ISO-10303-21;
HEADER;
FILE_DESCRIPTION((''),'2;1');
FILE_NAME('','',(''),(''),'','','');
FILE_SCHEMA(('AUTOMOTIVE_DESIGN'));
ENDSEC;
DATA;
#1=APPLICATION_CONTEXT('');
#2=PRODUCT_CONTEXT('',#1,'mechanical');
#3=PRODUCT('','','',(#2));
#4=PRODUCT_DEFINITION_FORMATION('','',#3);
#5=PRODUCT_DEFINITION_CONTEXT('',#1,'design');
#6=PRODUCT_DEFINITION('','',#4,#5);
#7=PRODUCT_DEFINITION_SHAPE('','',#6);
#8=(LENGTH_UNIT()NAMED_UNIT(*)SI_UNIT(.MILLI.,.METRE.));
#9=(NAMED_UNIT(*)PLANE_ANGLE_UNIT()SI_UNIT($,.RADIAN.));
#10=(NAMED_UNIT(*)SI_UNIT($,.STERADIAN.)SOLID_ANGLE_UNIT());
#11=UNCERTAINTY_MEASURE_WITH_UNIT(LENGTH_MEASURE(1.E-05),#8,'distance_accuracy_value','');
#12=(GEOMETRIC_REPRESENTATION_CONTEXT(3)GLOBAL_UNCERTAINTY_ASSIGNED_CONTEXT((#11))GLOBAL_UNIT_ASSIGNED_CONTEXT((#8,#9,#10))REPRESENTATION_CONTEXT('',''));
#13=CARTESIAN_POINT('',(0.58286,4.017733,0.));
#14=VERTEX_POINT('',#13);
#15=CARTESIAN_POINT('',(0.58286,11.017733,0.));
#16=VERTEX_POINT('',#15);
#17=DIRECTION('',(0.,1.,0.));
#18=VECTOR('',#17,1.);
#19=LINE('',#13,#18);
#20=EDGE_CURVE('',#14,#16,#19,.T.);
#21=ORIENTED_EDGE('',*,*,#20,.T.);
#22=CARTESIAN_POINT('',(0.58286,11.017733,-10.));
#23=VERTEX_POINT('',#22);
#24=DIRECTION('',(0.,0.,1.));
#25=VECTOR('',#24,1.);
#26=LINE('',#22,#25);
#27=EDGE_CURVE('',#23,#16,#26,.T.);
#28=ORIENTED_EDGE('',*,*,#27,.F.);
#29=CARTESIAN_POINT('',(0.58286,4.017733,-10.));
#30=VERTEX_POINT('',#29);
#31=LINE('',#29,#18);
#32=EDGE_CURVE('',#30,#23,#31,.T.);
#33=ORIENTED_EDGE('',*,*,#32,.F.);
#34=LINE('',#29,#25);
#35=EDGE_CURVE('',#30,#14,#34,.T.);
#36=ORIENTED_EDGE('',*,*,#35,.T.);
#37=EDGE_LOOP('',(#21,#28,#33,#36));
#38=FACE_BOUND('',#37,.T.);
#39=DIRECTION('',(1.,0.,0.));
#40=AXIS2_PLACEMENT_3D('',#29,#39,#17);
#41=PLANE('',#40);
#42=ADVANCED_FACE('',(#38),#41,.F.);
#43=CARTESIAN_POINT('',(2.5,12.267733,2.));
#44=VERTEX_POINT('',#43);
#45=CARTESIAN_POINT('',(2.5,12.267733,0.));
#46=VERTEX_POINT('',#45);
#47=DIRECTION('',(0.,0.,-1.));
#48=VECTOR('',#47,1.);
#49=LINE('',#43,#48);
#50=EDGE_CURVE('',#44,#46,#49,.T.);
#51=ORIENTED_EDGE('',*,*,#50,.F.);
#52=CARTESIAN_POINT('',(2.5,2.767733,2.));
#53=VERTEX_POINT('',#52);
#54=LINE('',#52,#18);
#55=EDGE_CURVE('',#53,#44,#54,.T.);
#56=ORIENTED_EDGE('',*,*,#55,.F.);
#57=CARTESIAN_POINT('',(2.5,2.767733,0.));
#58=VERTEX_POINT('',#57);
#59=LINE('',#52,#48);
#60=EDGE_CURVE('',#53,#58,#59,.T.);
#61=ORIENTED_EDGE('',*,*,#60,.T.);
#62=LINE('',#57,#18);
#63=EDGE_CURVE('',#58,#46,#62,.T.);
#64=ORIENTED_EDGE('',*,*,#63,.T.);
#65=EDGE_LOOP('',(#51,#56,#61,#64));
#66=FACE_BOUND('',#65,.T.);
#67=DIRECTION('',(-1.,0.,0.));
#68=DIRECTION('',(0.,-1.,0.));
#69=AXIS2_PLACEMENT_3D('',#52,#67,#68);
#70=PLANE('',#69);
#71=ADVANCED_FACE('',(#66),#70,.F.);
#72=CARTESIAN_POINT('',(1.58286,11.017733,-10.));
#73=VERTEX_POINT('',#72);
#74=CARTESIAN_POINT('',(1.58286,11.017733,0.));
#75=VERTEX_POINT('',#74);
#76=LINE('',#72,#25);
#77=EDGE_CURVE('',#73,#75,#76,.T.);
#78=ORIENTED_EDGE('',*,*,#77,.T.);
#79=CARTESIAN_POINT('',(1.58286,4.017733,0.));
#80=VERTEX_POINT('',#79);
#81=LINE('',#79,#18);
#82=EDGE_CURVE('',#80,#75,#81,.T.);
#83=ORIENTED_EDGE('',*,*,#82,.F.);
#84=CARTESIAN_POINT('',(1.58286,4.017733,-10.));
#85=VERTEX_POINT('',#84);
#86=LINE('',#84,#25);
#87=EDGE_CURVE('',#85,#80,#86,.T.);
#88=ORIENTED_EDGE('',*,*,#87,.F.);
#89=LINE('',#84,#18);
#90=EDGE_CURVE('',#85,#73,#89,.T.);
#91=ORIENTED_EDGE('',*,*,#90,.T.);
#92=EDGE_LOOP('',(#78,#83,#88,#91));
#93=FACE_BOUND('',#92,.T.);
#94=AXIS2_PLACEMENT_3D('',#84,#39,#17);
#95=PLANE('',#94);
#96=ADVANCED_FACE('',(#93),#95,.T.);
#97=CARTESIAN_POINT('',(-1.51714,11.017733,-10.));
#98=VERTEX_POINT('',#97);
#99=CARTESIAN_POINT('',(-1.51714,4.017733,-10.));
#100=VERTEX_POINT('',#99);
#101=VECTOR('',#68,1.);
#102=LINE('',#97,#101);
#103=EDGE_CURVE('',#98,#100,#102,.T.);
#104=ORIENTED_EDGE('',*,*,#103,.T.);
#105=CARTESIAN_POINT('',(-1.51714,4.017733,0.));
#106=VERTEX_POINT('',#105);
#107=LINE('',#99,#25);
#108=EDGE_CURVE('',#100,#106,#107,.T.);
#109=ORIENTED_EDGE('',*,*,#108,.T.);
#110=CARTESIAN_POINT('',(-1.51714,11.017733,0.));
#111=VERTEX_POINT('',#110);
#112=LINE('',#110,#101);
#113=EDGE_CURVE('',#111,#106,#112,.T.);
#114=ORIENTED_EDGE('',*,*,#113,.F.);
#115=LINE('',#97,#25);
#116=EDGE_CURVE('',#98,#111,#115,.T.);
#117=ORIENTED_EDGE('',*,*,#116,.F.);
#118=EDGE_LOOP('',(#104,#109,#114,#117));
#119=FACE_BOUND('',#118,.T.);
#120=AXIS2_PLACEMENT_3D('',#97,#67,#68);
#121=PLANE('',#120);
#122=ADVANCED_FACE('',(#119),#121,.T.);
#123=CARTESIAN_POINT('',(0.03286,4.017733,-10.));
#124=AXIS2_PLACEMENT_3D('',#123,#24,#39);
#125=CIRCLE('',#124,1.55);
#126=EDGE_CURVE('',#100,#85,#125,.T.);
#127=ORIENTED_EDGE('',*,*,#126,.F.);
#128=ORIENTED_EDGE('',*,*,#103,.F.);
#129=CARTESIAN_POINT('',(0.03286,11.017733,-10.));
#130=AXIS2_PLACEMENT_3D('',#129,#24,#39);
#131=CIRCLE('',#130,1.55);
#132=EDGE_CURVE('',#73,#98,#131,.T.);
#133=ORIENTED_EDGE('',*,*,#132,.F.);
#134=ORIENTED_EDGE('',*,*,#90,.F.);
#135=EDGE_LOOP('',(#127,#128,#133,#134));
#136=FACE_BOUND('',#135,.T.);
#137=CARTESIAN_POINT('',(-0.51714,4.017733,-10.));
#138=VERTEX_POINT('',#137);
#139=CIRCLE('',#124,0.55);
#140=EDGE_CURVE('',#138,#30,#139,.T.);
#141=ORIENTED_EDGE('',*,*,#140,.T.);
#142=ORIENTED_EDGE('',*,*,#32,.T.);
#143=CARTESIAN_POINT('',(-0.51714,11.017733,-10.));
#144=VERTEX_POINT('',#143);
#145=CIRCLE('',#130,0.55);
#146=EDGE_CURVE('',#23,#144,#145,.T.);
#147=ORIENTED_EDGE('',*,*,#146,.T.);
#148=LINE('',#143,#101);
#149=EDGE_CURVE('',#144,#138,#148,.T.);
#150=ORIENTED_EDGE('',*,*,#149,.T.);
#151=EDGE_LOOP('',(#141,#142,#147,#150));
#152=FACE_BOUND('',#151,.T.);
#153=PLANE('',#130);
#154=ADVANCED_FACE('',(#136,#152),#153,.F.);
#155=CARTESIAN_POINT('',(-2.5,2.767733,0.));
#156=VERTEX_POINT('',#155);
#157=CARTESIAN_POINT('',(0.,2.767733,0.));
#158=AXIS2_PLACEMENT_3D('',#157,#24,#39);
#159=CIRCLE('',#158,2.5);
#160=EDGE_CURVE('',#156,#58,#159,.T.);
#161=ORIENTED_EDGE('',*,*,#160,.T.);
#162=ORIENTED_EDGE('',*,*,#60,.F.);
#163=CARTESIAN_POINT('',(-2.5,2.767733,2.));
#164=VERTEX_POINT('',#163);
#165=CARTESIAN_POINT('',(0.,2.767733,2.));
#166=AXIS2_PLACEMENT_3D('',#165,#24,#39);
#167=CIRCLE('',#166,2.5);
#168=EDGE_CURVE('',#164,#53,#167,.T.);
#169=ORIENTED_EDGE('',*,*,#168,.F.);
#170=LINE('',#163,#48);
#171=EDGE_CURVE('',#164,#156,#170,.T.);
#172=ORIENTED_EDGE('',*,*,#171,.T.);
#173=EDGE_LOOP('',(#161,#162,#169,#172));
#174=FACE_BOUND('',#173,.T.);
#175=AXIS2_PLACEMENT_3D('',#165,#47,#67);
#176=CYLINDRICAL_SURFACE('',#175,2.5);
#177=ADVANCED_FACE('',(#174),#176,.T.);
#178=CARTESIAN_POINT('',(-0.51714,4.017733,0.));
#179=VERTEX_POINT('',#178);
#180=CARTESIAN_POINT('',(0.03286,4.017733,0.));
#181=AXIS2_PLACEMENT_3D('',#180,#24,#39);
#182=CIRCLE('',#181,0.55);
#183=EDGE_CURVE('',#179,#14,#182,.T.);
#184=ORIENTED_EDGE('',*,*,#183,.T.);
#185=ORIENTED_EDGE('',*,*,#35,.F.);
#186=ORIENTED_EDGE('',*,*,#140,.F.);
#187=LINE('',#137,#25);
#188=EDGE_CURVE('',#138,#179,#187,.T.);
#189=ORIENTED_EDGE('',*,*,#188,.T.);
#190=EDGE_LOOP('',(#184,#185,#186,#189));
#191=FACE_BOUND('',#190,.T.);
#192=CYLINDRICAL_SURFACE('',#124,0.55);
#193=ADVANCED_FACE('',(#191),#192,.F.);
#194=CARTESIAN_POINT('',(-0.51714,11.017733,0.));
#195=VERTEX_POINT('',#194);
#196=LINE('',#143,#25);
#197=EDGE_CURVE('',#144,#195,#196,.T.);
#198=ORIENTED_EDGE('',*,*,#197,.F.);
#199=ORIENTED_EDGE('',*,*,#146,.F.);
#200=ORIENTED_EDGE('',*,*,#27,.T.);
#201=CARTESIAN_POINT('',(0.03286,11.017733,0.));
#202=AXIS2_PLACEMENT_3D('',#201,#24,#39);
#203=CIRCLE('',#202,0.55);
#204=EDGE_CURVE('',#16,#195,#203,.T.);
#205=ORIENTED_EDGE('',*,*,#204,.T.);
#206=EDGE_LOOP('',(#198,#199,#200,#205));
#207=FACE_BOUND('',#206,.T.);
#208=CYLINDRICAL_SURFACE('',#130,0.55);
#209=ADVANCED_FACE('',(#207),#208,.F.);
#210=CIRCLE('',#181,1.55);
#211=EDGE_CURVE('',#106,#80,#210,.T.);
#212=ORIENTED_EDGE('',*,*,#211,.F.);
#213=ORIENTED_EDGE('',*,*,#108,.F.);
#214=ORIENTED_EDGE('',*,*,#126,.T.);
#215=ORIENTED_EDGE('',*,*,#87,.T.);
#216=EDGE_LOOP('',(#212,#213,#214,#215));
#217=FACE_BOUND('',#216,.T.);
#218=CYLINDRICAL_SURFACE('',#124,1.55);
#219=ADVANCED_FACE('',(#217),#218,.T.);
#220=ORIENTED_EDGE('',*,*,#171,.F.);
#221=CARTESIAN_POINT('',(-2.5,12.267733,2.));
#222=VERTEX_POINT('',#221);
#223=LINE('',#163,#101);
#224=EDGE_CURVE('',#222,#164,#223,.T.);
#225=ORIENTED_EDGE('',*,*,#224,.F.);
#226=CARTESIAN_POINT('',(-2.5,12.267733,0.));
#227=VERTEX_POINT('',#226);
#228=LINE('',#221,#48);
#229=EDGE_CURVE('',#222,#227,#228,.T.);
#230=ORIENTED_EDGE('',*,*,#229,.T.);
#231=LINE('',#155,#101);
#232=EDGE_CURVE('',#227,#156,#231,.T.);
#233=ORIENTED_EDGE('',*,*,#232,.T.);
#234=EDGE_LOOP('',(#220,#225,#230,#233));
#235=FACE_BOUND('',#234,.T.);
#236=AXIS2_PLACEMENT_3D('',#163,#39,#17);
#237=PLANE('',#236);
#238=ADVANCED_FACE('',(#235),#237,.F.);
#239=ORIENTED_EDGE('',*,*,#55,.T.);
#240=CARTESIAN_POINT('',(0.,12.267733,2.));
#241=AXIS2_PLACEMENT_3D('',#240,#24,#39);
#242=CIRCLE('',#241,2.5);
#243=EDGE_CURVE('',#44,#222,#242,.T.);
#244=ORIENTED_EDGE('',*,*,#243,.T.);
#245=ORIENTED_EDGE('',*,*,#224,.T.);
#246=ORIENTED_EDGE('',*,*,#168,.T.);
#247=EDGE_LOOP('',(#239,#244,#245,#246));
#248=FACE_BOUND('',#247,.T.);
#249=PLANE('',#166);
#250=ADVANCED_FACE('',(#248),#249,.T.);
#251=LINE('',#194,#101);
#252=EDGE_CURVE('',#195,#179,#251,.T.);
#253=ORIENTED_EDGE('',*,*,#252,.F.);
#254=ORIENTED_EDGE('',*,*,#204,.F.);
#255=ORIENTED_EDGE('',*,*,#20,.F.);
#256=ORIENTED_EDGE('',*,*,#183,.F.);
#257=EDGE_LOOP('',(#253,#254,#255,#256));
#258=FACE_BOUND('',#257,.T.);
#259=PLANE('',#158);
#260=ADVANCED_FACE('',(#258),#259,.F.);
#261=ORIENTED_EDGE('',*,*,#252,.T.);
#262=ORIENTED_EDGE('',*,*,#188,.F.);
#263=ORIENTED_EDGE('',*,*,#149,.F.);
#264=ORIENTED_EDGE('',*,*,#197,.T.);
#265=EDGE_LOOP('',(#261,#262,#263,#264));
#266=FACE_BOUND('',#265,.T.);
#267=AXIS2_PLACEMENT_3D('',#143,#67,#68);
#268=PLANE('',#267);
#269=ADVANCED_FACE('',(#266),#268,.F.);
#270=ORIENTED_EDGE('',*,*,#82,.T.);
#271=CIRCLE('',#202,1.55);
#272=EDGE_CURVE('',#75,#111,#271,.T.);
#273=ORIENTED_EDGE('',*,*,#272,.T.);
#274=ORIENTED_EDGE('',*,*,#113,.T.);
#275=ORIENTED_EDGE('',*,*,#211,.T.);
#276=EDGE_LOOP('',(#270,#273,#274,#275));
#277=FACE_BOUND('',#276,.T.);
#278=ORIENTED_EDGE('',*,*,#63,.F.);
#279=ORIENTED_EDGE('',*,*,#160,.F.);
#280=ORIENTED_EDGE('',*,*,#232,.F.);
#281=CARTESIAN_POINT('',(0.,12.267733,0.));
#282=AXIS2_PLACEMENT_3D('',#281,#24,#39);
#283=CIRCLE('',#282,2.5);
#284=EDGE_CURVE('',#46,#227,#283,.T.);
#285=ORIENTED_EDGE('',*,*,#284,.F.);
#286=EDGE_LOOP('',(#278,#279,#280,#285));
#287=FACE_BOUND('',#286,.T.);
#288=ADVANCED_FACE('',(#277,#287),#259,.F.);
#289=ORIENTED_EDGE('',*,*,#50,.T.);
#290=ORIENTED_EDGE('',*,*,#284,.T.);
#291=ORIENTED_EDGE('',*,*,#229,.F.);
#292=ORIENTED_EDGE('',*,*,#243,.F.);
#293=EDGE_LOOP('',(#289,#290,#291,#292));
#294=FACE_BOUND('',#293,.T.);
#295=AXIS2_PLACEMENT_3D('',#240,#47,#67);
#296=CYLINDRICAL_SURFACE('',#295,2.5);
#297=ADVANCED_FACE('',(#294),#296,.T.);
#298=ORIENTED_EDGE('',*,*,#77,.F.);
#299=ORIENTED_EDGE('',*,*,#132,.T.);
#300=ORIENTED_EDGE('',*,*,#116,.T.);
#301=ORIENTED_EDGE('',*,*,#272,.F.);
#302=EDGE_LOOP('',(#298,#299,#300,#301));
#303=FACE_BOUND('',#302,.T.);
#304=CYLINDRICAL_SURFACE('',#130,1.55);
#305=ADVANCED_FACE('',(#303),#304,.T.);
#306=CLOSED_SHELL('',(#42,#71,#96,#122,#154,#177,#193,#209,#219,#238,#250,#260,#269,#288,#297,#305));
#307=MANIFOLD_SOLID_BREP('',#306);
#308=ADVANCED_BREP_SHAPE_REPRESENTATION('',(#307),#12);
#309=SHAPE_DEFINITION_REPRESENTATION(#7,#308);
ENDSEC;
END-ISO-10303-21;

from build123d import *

# Parameters (mm, degrees)
BOSS_EXTRU_3_DEPTH = 10
BOSS_EXTRU_4_DEPTH = 2


with BuildPart() as part:
    # Esquisse1 → Boss.-Extru.3 (new body)
    with BuildSketch(Plane.XY):
        with BuildLine():
            Line((-1.517140129, 11.017733261), (-1.517140129, 4.017733261))
            ThreePointArc((-1.517140129, 4.017733261), (0.032859871, 2.467733261), (1.582859871, 4.017733261))
            Line((1.582859871, 4.017733261), (1.582859871, 11.017733261))
            ThreePointArc((1.582859871, 11.017733261), (0.032859871, 12.567733261), (-1.517140129, 11.017733261))
        make_face()
        with BuildLine():
            Line((-0.517140129, 11.017733261), (-0.517140129, 4.017733261))
            ThreePointArc((-0.517140129, 4.017733261), (0.032859871, 3.467733261), (0.582859871, 4.017733261))
            Line((0.582859871, 4.017733261), (0.582859871, 11.017733261))
            ThreePointArc((0.582859871, 11.017733261), (0.032859871, 11.567733261), (-0.517140129, 11.017733261))
        make_face(mode=Mode.SUBTRACT)
    extrude(amount=-BOSS_EXTRU_3_DEPTH)

    # Esquisse3 → Boss.-Extru.4 (add)
    with BuildSketch(Plane.XY):
        with BuildLine():
            Line((-2.5, 2.767733261), (-2.5, 12.267733261))
            ThreePointArc((-2.5, 12.267733261), (0, 14.767733261), (2.5, 12.267733261))
            Line((2.5, 12.267733261), (2.5, 2.767733261))
            ThreePointArc((2.5, 2.767733261), (0, 0.267733261), (-2.5, 2.767733261))
        make_face()
    extrude(amount=BOSS_EXTRU_4_DEPTH)


solid = part.part
